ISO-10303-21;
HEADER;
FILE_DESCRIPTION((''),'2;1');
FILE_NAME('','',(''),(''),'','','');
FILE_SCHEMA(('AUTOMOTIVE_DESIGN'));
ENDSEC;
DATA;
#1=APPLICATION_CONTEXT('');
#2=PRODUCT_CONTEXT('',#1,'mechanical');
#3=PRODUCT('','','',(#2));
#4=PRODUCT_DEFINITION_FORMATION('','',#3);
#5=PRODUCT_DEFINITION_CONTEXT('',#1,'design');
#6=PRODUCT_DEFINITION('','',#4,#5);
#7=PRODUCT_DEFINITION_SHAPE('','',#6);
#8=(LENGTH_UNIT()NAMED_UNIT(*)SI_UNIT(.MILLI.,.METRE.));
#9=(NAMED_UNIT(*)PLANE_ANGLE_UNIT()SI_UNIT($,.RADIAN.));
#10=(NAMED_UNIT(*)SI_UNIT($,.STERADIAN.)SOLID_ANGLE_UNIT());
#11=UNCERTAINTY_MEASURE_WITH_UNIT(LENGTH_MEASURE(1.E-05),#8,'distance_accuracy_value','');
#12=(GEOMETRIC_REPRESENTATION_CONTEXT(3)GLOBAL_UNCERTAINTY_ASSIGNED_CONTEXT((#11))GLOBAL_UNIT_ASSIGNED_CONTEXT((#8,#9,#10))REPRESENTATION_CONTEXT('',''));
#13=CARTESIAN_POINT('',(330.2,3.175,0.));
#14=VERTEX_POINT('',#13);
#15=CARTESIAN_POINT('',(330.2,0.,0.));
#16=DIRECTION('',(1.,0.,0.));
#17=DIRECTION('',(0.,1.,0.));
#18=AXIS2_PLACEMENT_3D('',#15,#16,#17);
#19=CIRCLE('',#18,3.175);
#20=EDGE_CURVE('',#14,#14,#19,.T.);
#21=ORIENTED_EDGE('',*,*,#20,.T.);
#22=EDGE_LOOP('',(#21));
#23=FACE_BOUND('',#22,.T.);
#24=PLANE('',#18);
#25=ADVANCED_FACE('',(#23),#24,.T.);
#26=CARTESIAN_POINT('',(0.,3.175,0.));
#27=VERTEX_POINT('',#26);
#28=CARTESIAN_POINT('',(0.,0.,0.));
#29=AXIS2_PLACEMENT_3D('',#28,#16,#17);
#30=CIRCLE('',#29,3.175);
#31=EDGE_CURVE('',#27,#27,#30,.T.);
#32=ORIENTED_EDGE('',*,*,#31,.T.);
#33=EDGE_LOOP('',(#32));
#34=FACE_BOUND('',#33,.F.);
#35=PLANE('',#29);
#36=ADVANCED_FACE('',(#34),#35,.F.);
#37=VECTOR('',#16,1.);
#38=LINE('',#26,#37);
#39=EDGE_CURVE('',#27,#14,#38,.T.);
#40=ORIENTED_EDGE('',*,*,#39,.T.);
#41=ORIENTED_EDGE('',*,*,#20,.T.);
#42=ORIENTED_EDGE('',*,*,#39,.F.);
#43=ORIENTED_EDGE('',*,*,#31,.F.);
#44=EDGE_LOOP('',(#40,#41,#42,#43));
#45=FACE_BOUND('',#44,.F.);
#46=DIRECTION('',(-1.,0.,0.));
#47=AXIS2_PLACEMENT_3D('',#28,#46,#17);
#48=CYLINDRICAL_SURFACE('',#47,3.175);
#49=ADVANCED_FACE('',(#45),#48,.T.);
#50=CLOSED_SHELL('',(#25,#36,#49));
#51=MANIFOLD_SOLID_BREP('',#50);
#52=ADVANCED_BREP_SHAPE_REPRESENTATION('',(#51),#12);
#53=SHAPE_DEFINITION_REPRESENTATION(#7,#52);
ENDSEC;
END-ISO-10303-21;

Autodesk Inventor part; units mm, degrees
ref_plane "YZ Plane" through (0, 0, 0) normal (1, 0, 0) x (0, 1, 0)
ref_plane "XZ Plane" through (0, 0, 0) normal (0, 1, 0) x (-1, 0, 0)
ref_plane "XY Plane" through (0, 0, 0) normal (0, 0, 1) x (1, 0, 0)
sketch "Sketch1" plane through (0, 0, 0) normal (1, 0, 0) x (0, 1, 0)
  circle A0 centre (0, 0) radius 3.175
  dimension "d0" = 6.35
extrude "Extrusion1" add sketch "Sketch1" along normal blind 330.2
properties part number "arm axle"
